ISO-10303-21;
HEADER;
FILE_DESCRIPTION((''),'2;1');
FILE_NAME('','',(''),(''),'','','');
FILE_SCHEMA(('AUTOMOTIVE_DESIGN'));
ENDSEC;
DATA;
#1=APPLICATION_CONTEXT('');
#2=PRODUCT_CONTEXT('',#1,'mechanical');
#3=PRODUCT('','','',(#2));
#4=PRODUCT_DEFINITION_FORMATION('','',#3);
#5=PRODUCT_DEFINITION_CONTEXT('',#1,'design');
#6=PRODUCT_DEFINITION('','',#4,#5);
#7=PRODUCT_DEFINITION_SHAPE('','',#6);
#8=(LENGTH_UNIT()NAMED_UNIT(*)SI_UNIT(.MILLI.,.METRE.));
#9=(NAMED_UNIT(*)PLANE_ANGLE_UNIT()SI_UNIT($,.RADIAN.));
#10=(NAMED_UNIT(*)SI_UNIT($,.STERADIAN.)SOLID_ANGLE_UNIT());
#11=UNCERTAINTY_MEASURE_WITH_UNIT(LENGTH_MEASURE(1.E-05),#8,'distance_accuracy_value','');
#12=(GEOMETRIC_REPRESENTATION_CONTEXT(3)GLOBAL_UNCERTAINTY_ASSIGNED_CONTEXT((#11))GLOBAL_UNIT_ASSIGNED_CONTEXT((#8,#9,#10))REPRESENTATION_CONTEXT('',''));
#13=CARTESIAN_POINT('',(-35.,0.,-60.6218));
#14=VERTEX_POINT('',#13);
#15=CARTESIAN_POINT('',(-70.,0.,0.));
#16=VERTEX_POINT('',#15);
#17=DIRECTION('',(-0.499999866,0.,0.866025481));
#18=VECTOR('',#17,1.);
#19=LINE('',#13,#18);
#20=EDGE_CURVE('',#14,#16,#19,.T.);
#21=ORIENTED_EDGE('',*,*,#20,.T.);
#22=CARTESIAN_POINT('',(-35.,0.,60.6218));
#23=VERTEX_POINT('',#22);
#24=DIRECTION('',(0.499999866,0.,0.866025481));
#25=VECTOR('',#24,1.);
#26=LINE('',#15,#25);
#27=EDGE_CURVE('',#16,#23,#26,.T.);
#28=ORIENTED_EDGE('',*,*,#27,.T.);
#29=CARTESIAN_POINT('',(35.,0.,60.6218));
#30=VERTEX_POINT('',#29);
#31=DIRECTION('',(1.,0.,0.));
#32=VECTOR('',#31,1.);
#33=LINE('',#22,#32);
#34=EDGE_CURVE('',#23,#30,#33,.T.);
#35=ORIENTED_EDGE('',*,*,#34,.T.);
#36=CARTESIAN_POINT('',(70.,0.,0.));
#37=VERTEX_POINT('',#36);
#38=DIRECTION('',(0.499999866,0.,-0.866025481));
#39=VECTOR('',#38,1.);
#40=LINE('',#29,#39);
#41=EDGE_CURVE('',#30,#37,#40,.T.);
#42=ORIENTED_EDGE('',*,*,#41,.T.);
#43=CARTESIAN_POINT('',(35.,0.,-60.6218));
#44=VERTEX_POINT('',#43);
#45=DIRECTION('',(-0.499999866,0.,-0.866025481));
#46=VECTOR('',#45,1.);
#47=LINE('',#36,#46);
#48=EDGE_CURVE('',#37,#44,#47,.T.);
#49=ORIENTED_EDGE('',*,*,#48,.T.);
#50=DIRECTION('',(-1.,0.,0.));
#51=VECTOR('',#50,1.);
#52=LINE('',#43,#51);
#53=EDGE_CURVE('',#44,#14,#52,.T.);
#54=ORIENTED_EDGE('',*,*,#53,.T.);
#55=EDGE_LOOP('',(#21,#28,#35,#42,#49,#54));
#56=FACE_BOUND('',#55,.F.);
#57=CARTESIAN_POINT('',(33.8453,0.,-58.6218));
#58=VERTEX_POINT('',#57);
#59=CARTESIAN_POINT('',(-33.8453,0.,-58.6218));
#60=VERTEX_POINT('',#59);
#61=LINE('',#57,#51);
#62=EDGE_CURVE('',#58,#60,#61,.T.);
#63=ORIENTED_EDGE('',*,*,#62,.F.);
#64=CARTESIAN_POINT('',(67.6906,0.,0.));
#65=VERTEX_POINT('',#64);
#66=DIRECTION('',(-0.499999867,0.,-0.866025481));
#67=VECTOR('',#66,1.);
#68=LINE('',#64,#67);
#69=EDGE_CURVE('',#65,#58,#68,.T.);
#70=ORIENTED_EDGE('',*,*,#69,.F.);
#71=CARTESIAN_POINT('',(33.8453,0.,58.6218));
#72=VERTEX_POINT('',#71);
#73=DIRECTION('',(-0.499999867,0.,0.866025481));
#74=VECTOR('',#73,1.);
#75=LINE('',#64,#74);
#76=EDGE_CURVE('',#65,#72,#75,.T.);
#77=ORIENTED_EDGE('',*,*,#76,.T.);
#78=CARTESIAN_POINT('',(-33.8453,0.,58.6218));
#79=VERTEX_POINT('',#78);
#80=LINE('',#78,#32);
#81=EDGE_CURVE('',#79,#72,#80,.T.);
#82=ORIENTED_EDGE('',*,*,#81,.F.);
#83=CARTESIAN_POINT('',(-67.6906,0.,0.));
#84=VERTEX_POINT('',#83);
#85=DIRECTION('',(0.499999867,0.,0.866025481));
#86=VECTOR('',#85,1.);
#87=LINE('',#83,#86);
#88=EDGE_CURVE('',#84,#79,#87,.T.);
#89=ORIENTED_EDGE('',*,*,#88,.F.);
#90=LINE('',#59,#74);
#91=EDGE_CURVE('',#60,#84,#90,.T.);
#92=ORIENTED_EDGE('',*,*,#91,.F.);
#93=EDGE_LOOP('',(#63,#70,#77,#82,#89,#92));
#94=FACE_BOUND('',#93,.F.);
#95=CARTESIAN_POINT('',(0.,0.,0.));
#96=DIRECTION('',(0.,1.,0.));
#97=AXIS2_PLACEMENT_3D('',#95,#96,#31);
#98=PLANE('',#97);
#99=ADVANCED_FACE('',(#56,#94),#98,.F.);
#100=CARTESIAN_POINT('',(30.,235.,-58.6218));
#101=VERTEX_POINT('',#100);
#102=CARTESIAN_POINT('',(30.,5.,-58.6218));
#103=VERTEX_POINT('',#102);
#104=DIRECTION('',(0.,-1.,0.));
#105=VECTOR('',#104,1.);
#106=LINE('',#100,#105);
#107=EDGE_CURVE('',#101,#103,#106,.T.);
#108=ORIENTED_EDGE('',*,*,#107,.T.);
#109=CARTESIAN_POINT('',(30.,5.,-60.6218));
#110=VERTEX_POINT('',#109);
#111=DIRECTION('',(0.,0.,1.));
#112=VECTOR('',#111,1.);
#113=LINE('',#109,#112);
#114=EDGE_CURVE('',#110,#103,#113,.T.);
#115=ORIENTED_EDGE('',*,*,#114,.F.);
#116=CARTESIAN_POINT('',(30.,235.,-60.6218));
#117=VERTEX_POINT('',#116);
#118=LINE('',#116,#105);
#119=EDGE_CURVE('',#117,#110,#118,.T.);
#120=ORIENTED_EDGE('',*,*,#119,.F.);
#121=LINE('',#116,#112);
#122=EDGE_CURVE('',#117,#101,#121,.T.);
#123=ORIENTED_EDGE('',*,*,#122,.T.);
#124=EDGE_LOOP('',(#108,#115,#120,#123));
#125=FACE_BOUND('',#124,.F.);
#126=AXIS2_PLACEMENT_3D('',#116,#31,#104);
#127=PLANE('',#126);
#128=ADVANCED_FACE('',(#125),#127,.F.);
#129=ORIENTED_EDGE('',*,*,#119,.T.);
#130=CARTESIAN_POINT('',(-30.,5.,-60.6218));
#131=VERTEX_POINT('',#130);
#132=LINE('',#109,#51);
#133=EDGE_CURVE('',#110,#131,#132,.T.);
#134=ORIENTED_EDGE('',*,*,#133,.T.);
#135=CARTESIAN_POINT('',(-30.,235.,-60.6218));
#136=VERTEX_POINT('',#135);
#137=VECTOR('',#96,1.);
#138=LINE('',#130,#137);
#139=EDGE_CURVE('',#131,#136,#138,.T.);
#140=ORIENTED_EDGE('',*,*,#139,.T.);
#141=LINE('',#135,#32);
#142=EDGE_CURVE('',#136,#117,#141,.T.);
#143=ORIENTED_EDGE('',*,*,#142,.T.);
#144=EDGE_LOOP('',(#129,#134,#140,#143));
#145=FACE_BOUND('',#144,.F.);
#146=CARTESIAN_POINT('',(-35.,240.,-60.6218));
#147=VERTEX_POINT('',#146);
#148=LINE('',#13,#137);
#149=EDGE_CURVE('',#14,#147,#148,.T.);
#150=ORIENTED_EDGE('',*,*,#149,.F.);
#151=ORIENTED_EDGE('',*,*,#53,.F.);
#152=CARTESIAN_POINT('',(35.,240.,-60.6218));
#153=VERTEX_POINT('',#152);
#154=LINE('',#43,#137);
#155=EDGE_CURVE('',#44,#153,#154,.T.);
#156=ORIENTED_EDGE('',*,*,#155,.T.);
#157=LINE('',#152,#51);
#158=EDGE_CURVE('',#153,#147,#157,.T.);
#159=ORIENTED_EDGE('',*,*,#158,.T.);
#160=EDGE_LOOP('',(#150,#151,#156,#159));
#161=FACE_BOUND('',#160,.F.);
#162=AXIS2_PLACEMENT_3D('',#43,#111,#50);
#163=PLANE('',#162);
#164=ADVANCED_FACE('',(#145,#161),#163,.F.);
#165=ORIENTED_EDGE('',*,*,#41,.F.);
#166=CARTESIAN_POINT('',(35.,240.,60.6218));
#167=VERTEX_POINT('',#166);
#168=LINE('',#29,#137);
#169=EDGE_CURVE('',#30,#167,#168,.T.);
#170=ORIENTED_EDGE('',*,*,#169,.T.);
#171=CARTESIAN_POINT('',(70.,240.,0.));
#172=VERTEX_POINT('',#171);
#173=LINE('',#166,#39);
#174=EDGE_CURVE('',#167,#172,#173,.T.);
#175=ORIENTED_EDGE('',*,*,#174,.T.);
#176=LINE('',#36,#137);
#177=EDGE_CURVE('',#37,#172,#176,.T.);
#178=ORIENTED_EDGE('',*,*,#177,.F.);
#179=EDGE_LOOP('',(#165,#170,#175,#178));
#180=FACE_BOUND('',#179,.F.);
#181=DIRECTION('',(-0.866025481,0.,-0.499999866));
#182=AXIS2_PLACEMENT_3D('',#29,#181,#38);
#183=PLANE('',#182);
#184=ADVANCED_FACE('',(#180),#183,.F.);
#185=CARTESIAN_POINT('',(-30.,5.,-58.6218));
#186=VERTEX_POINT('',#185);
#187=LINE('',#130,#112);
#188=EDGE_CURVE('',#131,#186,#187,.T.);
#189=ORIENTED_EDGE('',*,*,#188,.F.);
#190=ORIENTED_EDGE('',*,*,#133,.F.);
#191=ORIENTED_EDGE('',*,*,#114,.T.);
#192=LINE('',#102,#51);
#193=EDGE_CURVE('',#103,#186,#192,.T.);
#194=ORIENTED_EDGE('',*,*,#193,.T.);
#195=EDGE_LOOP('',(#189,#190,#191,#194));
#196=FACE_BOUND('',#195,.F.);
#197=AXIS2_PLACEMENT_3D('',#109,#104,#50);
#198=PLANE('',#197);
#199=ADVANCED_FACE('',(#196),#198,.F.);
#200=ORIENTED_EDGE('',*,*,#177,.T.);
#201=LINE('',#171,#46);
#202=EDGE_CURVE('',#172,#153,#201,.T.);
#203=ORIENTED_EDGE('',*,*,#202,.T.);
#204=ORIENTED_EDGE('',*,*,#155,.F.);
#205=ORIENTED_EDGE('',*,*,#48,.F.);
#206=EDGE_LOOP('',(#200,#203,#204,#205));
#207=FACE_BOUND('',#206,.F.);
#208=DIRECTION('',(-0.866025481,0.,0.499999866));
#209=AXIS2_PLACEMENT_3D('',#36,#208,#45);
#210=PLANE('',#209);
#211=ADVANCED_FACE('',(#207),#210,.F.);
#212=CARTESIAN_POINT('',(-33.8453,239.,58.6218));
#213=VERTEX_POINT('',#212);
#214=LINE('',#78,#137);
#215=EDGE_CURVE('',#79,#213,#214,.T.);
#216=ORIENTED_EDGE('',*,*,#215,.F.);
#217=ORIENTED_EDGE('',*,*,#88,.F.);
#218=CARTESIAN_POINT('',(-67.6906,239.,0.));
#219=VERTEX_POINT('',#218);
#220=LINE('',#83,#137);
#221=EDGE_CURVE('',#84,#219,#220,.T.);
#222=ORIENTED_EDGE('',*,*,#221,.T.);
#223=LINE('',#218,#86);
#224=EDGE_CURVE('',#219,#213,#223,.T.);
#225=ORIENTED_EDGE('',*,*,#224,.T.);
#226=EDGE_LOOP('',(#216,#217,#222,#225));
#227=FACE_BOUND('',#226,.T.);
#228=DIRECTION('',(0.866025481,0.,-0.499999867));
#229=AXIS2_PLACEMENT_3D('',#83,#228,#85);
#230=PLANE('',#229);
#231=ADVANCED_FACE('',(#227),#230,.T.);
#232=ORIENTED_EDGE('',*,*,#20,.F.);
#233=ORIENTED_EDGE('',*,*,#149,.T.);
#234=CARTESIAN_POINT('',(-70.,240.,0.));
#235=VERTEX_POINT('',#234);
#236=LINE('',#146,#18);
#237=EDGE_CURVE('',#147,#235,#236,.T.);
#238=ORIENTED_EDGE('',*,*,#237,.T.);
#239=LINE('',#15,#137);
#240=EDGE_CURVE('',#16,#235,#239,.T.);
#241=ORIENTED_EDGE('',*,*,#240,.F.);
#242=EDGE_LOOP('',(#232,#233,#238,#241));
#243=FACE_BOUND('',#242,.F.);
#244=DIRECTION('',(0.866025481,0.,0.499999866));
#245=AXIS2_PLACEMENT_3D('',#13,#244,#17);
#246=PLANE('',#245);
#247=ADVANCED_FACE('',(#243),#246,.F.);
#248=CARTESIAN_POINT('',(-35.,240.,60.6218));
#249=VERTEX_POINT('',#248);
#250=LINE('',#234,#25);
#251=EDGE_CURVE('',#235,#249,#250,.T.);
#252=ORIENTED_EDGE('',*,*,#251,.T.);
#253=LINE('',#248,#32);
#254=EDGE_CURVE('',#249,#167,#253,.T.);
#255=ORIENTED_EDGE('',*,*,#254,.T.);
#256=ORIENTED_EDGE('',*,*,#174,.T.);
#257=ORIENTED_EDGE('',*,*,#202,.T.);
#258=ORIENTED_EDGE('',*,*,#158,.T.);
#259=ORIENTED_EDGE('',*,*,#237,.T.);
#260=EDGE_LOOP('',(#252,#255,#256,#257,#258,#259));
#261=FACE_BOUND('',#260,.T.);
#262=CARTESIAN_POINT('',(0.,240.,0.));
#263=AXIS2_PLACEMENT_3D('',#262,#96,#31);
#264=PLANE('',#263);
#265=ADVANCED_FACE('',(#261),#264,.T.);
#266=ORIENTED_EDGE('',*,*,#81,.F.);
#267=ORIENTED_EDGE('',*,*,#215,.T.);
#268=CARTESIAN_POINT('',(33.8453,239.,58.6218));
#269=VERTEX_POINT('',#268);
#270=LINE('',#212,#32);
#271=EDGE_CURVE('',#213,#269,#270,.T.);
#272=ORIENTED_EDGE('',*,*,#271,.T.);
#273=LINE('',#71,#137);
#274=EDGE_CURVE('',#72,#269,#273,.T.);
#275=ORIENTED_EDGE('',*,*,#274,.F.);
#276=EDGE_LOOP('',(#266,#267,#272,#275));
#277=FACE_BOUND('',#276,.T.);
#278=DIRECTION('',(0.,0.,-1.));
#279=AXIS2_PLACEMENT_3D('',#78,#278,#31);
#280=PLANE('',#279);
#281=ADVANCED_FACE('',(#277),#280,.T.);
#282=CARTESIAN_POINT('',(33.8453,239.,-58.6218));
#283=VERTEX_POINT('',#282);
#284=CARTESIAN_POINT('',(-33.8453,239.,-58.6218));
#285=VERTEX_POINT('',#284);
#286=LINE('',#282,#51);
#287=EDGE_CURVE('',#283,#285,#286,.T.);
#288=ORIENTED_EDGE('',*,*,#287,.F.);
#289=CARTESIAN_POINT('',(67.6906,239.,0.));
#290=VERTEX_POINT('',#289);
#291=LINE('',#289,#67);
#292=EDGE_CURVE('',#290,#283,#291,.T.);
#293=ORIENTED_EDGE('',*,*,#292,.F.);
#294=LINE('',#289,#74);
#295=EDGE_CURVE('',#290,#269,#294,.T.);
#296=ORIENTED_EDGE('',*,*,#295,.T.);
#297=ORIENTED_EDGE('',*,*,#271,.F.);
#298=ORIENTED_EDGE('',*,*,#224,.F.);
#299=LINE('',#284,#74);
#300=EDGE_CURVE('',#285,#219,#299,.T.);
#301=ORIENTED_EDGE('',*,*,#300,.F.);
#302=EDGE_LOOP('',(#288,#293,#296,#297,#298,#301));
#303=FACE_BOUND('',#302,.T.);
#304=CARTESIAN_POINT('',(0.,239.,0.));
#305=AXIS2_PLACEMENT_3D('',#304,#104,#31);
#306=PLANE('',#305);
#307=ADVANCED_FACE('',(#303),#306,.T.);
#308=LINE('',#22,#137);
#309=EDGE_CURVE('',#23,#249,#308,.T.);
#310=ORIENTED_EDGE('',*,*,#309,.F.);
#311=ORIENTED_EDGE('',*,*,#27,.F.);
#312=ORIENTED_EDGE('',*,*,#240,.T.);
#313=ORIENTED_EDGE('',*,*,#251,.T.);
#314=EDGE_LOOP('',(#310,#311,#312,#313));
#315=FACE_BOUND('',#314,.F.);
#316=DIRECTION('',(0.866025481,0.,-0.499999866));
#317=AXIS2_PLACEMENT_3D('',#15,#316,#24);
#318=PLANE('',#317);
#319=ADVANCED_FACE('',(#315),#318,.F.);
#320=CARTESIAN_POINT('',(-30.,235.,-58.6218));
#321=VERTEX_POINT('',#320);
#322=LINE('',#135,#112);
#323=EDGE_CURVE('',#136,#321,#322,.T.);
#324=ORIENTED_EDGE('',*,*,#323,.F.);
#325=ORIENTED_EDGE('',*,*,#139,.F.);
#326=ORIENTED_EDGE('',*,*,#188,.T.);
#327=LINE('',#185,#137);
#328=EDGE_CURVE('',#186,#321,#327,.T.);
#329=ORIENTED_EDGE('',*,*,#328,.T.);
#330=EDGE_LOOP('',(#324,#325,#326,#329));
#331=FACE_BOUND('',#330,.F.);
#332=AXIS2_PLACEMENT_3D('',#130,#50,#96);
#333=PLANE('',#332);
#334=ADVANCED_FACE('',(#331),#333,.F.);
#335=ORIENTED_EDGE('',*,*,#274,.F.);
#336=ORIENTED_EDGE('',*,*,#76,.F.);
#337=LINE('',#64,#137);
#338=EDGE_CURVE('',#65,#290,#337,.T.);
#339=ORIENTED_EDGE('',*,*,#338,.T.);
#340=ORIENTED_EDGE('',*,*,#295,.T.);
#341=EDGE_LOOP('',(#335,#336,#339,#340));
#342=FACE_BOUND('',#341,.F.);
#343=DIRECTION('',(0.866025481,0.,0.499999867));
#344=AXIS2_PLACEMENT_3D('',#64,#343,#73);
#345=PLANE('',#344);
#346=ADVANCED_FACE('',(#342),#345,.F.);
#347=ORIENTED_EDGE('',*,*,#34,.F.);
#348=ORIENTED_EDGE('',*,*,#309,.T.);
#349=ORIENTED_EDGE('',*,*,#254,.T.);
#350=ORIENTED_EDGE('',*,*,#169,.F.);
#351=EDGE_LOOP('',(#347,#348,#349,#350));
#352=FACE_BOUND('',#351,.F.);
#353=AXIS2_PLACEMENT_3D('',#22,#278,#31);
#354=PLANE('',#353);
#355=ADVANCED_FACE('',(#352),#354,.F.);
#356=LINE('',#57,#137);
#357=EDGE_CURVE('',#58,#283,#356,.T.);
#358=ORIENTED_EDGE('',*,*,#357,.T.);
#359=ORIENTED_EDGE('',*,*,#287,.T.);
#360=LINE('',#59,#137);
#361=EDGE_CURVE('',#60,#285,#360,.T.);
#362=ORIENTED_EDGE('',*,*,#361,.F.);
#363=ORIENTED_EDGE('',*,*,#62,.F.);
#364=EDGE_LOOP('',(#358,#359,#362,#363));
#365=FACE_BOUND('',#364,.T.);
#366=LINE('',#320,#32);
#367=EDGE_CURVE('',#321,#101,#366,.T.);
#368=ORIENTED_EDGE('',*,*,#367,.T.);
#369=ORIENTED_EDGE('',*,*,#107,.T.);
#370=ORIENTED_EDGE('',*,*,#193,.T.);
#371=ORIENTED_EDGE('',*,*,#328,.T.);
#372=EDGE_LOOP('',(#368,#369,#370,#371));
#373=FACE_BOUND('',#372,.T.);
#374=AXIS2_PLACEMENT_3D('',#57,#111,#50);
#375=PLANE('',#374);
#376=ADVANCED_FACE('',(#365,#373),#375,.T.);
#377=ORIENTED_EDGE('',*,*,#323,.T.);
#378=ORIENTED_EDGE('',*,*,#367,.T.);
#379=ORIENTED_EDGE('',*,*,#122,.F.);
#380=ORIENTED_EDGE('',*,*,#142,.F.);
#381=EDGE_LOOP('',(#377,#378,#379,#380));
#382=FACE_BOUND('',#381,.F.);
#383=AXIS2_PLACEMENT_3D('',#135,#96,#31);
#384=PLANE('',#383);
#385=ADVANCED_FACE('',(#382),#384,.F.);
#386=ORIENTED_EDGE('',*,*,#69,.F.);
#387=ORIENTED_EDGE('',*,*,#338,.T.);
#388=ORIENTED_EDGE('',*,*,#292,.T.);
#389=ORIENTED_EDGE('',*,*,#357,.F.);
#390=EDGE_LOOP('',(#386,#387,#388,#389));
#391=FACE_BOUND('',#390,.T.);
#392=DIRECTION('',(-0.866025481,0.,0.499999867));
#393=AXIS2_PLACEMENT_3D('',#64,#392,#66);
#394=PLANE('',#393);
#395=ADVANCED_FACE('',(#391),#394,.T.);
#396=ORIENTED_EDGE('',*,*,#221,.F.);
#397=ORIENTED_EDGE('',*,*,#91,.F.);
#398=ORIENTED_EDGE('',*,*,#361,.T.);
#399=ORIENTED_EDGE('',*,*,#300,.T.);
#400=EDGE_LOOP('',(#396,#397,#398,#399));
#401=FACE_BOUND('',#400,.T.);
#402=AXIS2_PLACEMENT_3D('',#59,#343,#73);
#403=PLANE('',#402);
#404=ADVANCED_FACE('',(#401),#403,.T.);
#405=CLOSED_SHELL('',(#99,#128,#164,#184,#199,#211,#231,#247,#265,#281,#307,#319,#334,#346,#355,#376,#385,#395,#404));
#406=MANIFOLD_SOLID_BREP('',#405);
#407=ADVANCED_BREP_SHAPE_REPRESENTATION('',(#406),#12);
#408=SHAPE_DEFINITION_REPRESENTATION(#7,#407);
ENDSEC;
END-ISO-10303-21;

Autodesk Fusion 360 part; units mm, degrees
sketch "side" plane through (0, 0, 0) normal (0, 1, 0) x (1, 0, 0)
  line L0 (35, -60.6218) -> (70, 0)
  line L1 (70, 0) -> (35, 60.6218)
  line L2 (35, 60.6218) -> (-35, 60.6218)
  line L3 (-35, 60.6218) -> (-70, 0)
  line L4 (-70, 0) -> (-35, -60.6218)
  line L5 (-35, -60.6218) -> (35, -60.6218)
  dimension "d1" = 70
extrude "Extrude1" add sketch "side" along normal blind 240
sketch "2mm offset cap" plane through (0, 0, 0) normal (0, -1, 0) x (1, 0, 0)
  line L0 (35, 60.6218) -> (-35, 60.6218)
  line L1 (-35, 60.6218) -> (-70, 0)
  line L2 (-70, 0) -> (-35, -60.6218)
  line L3 (-35, -60.6218) -> (35, -60.6218)
  line L4 (35, -60.6218) -> (70, 0)
  line L5 (70, 0) -> (35, 60.6218)
  line L6 (-35, 60.6218) -> (35, 60.6218)
  line L7 (70, 0) -> (35, 60.6218)
  line L8 (70, 0) -> (35, -60.6218)
  line L9 (35, -60.6218) -> (-35, -60.6218)
  line L10 (-35, -60.6218) -> (-70, 0)
  line L11 (-70, 0) -> (-35, 60.6218)
  line L12 (-33.8453, -58.6218) -> (-67.6906, 0)
  line L13 (-67.6906, 0) -> (-33.8453, 58.6218)
  line L14 (-33.8453, 58.6218) -> (33.8453, 58.6218)
  line L15 (67.6906, 0) -> (33.8453, 58.6218)
  line L16 (67.6906, 0) -> (33.8453, -58.6218)
  line L17 (33.8453, -58.6218) -> (-33.8453, -58.6218)
  dimension "d4" = 2
extrude "Extrude2" cut sketch "2mm offset cap" against normal blind 239 contours L12 L13 L14 L15 L16 L17
sketch "opening for tubes" plane through (0, 0, -60.6218) normal (0, 0, -1) x (1, 0, 0)
  line L0 (35, 0) -> (-35, 0)
  line L1 (-35, 0) -> (-35, -240)
  line L2 (-35, -240) -> (35, -240)
  line L3 (35, -240) -> (35, 0)
  line L4 (-35, -240) -> (35, -240)
  line L5 (35, -240) -> (35, 0)
  line L6 (35, 0) -> (-35, 0)
  line L7 (-35, 0) -> (-35, -240)
  line L8 (30, -235) -> (30, -5)
  line L9 (30, -5) -> (-30, -5)
  line L10 (-30, -5) -> (-30, -235)
  line L11 (-30, -235) -> (30, -235)
  dimension "d7" = -5
extrude "Extrude4" cut sketch "opening for tubes" against normal blind 2 contours L8 L9 L10 L11
